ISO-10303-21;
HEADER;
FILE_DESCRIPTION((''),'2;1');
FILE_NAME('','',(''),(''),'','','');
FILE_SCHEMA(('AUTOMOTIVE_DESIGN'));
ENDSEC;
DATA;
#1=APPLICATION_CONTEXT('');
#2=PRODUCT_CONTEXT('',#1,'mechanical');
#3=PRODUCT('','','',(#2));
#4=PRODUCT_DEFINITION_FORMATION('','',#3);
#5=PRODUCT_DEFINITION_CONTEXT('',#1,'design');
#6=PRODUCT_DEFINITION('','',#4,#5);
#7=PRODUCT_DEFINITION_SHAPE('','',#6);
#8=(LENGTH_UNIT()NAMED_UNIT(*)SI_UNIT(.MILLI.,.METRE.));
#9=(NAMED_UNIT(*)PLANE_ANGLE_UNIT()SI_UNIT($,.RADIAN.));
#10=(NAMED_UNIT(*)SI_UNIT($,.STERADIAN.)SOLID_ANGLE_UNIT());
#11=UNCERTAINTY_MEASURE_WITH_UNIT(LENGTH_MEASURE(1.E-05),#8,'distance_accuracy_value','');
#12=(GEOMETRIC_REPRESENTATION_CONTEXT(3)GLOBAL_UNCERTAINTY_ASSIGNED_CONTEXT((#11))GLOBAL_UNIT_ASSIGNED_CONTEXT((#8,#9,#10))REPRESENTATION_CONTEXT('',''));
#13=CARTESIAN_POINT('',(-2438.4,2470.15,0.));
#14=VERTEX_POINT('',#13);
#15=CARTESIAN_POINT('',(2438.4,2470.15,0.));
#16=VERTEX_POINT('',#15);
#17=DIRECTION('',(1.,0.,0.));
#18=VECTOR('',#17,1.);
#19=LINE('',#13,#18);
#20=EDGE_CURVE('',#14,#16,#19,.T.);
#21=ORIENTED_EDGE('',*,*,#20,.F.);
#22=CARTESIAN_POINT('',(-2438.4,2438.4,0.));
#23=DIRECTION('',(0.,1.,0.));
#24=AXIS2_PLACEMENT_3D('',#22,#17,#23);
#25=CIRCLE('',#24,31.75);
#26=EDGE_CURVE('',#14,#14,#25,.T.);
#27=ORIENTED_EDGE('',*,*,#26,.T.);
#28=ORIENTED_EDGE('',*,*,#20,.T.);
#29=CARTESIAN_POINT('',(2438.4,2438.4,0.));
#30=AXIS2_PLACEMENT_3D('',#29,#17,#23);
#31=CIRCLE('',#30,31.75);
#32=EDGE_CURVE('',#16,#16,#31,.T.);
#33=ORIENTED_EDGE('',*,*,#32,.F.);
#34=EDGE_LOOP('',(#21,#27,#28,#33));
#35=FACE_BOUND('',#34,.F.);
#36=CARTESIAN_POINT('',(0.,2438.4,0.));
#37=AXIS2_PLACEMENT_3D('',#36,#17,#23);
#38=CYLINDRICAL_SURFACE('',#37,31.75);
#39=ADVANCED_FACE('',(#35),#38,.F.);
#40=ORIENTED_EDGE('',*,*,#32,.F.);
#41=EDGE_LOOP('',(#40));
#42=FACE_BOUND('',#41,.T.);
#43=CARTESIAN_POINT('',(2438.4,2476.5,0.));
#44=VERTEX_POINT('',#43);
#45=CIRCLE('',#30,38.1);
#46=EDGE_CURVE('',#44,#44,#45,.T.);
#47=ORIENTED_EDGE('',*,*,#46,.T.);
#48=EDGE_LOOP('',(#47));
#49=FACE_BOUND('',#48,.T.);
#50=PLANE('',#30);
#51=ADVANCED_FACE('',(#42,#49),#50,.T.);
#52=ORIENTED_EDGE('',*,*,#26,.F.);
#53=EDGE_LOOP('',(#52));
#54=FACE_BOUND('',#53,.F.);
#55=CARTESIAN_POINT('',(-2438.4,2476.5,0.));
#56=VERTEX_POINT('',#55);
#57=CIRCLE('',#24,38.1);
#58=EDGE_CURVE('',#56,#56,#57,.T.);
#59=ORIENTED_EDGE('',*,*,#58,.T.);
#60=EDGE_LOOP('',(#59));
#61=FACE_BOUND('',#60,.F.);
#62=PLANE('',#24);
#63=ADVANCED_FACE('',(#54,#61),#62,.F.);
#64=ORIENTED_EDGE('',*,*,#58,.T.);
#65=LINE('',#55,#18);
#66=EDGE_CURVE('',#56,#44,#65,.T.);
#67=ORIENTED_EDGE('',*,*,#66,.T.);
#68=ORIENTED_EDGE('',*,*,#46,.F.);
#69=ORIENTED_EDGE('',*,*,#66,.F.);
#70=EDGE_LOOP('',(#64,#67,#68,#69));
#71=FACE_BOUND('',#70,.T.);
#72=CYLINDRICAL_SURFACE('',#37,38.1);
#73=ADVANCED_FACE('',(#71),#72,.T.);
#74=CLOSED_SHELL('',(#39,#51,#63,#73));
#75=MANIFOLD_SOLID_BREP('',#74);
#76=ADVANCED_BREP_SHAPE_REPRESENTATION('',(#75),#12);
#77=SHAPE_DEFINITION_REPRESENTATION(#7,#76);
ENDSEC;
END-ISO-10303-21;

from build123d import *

# Parameters (mm, degrees)
F0_R     = 38.1
F1_DEPTH = 2438.4
F2_T     = -6.35


with BuildPart() as f1:
    # F0 (on Right) → F1 (new body, symmetric)
    with BuildSketch(Plane.YZ):
        with Locations((2438.4, 0)):
            Circle(F0_R)
    extrude(amount=F1_DEPTH, both=True)

    # F2
    f2_openings = [f1.faces().sort_by_distance(p)[0] for p in [
        (2438.4, 2438.4, 0),
        (-2438.4, 2438.4, 0),
    ]]
    offset(amount=F2_T, openings=f2_openings)


solid = f1.part
